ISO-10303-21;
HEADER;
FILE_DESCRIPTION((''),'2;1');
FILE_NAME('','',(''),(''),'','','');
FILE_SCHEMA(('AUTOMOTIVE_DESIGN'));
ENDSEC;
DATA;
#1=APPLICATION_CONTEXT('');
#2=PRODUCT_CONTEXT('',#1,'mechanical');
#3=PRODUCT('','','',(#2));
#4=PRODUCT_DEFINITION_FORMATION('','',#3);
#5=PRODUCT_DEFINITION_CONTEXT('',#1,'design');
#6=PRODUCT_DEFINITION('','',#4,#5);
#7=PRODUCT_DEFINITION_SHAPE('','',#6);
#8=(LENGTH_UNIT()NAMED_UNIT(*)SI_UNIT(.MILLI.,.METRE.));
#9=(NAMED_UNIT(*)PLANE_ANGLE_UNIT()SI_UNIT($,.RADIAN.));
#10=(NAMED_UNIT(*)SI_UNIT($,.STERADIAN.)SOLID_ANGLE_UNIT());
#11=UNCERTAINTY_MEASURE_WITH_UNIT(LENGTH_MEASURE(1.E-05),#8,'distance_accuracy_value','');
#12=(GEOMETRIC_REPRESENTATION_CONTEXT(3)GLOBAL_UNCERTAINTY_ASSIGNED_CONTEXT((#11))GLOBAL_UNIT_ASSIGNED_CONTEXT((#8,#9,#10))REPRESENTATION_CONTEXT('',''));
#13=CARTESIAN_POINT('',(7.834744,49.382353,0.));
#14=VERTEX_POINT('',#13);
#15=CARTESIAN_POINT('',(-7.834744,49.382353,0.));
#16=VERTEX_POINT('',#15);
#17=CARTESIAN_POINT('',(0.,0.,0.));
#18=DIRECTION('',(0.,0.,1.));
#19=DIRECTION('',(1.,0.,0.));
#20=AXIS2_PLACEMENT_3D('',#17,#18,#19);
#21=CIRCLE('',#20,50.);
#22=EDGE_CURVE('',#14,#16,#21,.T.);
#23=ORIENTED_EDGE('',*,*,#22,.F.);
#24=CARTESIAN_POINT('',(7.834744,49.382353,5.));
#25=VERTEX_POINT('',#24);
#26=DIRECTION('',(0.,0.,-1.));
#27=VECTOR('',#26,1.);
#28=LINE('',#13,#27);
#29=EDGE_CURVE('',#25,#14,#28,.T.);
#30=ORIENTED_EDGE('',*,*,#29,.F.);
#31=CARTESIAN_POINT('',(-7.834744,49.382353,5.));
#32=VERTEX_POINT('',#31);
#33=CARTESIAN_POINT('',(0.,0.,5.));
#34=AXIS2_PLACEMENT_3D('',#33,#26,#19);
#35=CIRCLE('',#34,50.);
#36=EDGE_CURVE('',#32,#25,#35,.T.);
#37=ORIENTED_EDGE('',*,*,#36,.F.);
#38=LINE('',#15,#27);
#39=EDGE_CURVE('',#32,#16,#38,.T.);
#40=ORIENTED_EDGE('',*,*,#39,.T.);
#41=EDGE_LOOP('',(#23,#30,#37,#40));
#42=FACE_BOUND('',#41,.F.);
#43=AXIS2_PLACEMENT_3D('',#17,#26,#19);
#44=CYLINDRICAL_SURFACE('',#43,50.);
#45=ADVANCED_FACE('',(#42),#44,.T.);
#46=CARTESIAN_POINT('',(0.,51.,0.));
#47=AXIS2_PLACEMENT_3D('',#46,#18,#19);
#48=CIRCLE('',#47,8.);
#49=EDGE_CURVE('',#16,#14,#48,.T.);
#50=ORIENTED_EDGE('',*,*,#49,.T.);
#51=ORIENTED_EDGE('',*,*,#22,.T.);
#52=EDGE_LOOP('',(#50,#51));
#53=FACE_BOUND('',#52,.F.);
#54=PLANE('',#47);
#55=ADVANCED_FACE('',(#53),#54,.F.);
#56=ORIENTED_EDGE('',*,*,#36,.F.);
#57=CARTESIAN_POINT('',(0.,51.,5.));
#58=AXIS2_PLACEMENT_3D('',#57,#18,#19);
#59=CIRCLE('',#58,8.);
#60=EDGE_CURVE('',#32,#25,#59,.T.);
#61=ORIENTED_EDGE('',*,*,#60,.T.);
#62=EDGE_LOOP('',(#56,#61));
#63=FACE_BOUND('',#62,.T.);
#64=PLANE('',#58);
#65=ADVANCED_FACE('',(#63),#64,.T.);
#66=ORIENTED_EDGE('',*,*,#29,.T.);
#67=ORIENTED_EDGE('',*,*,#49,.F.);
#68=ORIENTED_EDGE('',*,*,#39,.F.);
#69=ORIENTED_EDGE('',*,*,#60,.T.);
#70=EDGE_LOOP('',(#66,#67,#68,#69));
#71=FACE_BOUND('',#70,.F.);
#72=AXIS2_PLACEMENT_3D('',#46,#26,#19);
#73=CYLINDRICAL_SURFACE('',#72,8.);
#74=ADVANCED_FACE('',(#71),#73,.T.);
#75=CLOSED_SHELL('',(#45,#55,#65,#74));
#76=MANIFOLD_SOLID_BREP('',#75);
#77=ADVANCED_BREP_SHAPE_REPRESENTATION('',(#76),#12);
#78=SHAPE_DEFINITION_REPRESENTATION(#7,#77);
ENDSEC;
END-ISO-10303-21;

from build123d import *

# Parameters (mm, degrees)
CYLINDER018_R     = 50
CYLINDER018_DEPTH = 10
CYLINDER017_R     = 8
CYLINDER017_DEPTH = 5


with BuildPart() as cylinder019:
    # Cylinder018 → Cylinder018 (new body)
    with BuildSketch(Plane.XY):
        Circle(CYLINDER018_R)
    extrude(amount=CYLINDER018_DEPTH)


with BuildPart() as common:
    # Cylinder017 → Cylinder017 (new body)
    with BuildSketch(Plane(origin=(0, 51, 0), x_dir=(1, 0, 0), z_dir=(0, 0, 1))):
        Circle(CYLINDER017_R)
    extrude(amount=CYLINDER017_DEPTH)

    # Common: intersect Cylinder019
    add(cylinder019.part, mode=Mode.INTERSECT)


solid = common.part
